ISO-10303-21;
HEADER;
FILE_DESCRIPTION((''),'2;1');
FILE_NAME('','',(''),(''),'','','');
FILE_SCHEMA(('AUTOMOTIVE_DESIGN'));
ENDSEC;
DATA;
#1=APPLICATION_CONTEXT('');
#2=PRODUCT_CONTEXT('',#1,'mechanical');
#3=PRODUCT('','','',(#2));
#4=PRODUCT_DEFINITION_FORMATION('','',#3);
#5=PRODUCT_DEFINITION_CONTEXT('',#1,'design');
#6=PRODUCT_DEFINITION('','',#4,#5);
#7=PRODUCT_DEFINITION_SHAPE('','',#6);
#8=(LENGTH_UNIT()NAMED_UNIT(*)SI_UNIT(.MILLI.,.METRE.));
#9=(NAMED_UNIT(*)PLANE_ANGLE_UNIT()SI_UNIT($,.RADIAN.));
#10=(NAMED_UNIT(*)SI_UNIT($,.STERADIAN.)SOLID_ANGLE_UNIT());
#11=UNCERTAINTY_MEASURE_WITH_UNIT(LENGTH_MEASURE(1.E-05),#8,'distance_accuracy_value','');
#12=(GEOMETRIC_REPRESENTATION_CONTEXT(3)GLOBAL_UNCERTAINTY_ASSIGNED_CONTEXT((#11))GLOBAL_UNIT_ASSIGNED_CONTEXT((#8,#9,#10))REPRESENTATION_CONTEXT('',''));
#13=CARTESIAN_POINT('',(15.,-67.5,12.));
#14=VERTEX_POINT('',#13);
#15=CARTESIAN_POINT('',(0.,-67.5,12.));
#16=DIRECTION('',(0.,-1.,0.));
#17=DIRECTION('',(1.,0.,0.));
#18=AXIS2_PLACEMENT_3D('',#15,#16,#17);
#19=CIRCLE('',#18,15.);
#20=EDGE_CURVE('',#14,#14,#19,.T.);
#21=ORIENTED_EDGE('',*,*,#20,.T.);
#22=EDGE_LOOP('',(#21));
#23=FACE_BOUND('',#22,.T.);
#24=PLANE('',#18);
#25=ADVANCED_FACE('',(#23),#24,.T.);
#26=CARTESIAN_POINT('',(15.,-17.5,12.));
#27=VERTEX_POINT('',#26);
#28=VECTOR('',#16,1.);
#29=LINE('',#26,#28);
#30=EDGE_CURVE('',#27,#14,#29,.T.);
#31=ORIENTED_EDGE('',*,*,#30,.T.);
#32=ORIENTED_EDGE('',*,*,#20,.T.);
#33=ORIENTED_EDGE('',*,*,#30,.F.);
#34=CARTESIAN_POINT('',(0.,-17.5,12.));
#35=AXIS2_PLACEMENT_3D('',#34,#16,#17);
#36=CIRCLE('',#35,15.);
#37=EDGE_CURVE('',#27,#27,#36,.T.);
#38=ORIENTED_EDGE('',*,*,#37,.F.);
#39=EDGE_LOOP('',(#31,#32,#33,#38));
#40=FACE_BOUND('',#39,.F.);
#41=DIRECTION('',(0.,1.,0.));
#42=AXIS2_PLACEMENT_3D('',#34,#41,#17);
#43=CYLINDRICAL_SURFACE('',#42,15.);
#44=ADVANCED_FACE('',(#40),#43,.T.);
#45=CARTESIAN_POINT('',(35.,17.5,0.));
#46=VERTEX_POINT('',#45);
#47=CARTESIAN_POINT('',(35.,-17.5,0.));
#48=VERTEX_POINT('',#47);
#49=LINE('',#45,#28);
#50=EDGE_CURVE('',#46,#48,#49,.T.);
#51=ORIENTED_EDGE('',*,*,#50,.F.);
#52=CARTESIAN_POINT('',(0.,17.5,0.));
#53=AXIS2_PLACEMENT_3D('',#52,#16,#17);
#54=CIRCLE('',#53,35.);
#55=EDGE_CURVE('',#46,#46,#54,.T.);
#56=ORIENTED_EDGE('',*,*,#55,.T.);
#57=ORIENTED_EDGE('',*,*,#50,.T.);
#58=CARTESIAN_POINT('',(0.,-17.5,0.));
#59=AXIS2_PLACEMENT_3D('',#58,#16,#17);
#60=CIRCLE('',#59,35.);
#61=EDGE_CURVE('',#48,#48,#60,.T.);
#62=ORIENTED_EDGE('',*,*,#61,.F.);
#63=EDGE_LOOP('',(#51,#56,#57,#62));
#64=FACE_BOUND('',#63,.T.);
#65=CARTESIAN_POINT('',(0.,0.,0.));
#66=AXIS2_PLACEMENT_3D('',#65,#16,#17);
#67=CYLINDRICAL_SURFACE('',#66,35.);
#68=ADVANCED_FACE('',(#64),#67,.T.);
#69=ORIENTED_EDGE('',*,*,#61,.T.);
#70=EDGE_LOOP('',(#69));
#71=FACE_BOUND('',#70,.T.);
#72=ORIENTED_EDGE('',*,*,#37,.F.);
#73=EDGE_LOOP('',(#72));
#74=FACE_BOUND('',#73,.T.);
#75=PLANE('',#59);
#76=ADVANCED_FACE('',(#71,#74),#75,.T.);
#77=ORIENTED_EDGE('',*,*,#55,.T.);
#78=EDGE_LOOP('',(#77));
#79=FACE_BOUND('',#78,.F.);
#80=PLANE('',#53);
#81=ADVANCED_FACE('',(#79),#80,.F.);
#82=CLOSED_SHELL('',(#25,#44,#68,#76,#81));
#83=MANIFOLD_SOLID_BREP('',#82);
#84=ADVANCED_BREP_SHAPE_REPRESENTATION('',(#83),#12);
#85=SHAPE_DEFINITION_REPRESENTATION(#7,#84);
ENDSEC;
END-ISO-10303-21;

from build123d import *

# Parameters (mm, degrees)
F0_R     = 35
F1_DEPTH = 17.5
F2_R     = 15
F3_DEPTH = 50


with BuildPart() as f1:
    # F0 (on Front) → F1 (new body, symmetric)
    with BuildSketch(Plane.XZ):
        Circle(F0_R)
    extrude(amount=F1_DEPTH, both=True)

    # F2 (on face) → F3 (join)
    with BuildSketch(Plane.XZ.offset(17.5)):
        with Locations((0, 12)):
            Circle(F2_R)
    extrude(amount=F3_DEPTH)


solid = f1.part
